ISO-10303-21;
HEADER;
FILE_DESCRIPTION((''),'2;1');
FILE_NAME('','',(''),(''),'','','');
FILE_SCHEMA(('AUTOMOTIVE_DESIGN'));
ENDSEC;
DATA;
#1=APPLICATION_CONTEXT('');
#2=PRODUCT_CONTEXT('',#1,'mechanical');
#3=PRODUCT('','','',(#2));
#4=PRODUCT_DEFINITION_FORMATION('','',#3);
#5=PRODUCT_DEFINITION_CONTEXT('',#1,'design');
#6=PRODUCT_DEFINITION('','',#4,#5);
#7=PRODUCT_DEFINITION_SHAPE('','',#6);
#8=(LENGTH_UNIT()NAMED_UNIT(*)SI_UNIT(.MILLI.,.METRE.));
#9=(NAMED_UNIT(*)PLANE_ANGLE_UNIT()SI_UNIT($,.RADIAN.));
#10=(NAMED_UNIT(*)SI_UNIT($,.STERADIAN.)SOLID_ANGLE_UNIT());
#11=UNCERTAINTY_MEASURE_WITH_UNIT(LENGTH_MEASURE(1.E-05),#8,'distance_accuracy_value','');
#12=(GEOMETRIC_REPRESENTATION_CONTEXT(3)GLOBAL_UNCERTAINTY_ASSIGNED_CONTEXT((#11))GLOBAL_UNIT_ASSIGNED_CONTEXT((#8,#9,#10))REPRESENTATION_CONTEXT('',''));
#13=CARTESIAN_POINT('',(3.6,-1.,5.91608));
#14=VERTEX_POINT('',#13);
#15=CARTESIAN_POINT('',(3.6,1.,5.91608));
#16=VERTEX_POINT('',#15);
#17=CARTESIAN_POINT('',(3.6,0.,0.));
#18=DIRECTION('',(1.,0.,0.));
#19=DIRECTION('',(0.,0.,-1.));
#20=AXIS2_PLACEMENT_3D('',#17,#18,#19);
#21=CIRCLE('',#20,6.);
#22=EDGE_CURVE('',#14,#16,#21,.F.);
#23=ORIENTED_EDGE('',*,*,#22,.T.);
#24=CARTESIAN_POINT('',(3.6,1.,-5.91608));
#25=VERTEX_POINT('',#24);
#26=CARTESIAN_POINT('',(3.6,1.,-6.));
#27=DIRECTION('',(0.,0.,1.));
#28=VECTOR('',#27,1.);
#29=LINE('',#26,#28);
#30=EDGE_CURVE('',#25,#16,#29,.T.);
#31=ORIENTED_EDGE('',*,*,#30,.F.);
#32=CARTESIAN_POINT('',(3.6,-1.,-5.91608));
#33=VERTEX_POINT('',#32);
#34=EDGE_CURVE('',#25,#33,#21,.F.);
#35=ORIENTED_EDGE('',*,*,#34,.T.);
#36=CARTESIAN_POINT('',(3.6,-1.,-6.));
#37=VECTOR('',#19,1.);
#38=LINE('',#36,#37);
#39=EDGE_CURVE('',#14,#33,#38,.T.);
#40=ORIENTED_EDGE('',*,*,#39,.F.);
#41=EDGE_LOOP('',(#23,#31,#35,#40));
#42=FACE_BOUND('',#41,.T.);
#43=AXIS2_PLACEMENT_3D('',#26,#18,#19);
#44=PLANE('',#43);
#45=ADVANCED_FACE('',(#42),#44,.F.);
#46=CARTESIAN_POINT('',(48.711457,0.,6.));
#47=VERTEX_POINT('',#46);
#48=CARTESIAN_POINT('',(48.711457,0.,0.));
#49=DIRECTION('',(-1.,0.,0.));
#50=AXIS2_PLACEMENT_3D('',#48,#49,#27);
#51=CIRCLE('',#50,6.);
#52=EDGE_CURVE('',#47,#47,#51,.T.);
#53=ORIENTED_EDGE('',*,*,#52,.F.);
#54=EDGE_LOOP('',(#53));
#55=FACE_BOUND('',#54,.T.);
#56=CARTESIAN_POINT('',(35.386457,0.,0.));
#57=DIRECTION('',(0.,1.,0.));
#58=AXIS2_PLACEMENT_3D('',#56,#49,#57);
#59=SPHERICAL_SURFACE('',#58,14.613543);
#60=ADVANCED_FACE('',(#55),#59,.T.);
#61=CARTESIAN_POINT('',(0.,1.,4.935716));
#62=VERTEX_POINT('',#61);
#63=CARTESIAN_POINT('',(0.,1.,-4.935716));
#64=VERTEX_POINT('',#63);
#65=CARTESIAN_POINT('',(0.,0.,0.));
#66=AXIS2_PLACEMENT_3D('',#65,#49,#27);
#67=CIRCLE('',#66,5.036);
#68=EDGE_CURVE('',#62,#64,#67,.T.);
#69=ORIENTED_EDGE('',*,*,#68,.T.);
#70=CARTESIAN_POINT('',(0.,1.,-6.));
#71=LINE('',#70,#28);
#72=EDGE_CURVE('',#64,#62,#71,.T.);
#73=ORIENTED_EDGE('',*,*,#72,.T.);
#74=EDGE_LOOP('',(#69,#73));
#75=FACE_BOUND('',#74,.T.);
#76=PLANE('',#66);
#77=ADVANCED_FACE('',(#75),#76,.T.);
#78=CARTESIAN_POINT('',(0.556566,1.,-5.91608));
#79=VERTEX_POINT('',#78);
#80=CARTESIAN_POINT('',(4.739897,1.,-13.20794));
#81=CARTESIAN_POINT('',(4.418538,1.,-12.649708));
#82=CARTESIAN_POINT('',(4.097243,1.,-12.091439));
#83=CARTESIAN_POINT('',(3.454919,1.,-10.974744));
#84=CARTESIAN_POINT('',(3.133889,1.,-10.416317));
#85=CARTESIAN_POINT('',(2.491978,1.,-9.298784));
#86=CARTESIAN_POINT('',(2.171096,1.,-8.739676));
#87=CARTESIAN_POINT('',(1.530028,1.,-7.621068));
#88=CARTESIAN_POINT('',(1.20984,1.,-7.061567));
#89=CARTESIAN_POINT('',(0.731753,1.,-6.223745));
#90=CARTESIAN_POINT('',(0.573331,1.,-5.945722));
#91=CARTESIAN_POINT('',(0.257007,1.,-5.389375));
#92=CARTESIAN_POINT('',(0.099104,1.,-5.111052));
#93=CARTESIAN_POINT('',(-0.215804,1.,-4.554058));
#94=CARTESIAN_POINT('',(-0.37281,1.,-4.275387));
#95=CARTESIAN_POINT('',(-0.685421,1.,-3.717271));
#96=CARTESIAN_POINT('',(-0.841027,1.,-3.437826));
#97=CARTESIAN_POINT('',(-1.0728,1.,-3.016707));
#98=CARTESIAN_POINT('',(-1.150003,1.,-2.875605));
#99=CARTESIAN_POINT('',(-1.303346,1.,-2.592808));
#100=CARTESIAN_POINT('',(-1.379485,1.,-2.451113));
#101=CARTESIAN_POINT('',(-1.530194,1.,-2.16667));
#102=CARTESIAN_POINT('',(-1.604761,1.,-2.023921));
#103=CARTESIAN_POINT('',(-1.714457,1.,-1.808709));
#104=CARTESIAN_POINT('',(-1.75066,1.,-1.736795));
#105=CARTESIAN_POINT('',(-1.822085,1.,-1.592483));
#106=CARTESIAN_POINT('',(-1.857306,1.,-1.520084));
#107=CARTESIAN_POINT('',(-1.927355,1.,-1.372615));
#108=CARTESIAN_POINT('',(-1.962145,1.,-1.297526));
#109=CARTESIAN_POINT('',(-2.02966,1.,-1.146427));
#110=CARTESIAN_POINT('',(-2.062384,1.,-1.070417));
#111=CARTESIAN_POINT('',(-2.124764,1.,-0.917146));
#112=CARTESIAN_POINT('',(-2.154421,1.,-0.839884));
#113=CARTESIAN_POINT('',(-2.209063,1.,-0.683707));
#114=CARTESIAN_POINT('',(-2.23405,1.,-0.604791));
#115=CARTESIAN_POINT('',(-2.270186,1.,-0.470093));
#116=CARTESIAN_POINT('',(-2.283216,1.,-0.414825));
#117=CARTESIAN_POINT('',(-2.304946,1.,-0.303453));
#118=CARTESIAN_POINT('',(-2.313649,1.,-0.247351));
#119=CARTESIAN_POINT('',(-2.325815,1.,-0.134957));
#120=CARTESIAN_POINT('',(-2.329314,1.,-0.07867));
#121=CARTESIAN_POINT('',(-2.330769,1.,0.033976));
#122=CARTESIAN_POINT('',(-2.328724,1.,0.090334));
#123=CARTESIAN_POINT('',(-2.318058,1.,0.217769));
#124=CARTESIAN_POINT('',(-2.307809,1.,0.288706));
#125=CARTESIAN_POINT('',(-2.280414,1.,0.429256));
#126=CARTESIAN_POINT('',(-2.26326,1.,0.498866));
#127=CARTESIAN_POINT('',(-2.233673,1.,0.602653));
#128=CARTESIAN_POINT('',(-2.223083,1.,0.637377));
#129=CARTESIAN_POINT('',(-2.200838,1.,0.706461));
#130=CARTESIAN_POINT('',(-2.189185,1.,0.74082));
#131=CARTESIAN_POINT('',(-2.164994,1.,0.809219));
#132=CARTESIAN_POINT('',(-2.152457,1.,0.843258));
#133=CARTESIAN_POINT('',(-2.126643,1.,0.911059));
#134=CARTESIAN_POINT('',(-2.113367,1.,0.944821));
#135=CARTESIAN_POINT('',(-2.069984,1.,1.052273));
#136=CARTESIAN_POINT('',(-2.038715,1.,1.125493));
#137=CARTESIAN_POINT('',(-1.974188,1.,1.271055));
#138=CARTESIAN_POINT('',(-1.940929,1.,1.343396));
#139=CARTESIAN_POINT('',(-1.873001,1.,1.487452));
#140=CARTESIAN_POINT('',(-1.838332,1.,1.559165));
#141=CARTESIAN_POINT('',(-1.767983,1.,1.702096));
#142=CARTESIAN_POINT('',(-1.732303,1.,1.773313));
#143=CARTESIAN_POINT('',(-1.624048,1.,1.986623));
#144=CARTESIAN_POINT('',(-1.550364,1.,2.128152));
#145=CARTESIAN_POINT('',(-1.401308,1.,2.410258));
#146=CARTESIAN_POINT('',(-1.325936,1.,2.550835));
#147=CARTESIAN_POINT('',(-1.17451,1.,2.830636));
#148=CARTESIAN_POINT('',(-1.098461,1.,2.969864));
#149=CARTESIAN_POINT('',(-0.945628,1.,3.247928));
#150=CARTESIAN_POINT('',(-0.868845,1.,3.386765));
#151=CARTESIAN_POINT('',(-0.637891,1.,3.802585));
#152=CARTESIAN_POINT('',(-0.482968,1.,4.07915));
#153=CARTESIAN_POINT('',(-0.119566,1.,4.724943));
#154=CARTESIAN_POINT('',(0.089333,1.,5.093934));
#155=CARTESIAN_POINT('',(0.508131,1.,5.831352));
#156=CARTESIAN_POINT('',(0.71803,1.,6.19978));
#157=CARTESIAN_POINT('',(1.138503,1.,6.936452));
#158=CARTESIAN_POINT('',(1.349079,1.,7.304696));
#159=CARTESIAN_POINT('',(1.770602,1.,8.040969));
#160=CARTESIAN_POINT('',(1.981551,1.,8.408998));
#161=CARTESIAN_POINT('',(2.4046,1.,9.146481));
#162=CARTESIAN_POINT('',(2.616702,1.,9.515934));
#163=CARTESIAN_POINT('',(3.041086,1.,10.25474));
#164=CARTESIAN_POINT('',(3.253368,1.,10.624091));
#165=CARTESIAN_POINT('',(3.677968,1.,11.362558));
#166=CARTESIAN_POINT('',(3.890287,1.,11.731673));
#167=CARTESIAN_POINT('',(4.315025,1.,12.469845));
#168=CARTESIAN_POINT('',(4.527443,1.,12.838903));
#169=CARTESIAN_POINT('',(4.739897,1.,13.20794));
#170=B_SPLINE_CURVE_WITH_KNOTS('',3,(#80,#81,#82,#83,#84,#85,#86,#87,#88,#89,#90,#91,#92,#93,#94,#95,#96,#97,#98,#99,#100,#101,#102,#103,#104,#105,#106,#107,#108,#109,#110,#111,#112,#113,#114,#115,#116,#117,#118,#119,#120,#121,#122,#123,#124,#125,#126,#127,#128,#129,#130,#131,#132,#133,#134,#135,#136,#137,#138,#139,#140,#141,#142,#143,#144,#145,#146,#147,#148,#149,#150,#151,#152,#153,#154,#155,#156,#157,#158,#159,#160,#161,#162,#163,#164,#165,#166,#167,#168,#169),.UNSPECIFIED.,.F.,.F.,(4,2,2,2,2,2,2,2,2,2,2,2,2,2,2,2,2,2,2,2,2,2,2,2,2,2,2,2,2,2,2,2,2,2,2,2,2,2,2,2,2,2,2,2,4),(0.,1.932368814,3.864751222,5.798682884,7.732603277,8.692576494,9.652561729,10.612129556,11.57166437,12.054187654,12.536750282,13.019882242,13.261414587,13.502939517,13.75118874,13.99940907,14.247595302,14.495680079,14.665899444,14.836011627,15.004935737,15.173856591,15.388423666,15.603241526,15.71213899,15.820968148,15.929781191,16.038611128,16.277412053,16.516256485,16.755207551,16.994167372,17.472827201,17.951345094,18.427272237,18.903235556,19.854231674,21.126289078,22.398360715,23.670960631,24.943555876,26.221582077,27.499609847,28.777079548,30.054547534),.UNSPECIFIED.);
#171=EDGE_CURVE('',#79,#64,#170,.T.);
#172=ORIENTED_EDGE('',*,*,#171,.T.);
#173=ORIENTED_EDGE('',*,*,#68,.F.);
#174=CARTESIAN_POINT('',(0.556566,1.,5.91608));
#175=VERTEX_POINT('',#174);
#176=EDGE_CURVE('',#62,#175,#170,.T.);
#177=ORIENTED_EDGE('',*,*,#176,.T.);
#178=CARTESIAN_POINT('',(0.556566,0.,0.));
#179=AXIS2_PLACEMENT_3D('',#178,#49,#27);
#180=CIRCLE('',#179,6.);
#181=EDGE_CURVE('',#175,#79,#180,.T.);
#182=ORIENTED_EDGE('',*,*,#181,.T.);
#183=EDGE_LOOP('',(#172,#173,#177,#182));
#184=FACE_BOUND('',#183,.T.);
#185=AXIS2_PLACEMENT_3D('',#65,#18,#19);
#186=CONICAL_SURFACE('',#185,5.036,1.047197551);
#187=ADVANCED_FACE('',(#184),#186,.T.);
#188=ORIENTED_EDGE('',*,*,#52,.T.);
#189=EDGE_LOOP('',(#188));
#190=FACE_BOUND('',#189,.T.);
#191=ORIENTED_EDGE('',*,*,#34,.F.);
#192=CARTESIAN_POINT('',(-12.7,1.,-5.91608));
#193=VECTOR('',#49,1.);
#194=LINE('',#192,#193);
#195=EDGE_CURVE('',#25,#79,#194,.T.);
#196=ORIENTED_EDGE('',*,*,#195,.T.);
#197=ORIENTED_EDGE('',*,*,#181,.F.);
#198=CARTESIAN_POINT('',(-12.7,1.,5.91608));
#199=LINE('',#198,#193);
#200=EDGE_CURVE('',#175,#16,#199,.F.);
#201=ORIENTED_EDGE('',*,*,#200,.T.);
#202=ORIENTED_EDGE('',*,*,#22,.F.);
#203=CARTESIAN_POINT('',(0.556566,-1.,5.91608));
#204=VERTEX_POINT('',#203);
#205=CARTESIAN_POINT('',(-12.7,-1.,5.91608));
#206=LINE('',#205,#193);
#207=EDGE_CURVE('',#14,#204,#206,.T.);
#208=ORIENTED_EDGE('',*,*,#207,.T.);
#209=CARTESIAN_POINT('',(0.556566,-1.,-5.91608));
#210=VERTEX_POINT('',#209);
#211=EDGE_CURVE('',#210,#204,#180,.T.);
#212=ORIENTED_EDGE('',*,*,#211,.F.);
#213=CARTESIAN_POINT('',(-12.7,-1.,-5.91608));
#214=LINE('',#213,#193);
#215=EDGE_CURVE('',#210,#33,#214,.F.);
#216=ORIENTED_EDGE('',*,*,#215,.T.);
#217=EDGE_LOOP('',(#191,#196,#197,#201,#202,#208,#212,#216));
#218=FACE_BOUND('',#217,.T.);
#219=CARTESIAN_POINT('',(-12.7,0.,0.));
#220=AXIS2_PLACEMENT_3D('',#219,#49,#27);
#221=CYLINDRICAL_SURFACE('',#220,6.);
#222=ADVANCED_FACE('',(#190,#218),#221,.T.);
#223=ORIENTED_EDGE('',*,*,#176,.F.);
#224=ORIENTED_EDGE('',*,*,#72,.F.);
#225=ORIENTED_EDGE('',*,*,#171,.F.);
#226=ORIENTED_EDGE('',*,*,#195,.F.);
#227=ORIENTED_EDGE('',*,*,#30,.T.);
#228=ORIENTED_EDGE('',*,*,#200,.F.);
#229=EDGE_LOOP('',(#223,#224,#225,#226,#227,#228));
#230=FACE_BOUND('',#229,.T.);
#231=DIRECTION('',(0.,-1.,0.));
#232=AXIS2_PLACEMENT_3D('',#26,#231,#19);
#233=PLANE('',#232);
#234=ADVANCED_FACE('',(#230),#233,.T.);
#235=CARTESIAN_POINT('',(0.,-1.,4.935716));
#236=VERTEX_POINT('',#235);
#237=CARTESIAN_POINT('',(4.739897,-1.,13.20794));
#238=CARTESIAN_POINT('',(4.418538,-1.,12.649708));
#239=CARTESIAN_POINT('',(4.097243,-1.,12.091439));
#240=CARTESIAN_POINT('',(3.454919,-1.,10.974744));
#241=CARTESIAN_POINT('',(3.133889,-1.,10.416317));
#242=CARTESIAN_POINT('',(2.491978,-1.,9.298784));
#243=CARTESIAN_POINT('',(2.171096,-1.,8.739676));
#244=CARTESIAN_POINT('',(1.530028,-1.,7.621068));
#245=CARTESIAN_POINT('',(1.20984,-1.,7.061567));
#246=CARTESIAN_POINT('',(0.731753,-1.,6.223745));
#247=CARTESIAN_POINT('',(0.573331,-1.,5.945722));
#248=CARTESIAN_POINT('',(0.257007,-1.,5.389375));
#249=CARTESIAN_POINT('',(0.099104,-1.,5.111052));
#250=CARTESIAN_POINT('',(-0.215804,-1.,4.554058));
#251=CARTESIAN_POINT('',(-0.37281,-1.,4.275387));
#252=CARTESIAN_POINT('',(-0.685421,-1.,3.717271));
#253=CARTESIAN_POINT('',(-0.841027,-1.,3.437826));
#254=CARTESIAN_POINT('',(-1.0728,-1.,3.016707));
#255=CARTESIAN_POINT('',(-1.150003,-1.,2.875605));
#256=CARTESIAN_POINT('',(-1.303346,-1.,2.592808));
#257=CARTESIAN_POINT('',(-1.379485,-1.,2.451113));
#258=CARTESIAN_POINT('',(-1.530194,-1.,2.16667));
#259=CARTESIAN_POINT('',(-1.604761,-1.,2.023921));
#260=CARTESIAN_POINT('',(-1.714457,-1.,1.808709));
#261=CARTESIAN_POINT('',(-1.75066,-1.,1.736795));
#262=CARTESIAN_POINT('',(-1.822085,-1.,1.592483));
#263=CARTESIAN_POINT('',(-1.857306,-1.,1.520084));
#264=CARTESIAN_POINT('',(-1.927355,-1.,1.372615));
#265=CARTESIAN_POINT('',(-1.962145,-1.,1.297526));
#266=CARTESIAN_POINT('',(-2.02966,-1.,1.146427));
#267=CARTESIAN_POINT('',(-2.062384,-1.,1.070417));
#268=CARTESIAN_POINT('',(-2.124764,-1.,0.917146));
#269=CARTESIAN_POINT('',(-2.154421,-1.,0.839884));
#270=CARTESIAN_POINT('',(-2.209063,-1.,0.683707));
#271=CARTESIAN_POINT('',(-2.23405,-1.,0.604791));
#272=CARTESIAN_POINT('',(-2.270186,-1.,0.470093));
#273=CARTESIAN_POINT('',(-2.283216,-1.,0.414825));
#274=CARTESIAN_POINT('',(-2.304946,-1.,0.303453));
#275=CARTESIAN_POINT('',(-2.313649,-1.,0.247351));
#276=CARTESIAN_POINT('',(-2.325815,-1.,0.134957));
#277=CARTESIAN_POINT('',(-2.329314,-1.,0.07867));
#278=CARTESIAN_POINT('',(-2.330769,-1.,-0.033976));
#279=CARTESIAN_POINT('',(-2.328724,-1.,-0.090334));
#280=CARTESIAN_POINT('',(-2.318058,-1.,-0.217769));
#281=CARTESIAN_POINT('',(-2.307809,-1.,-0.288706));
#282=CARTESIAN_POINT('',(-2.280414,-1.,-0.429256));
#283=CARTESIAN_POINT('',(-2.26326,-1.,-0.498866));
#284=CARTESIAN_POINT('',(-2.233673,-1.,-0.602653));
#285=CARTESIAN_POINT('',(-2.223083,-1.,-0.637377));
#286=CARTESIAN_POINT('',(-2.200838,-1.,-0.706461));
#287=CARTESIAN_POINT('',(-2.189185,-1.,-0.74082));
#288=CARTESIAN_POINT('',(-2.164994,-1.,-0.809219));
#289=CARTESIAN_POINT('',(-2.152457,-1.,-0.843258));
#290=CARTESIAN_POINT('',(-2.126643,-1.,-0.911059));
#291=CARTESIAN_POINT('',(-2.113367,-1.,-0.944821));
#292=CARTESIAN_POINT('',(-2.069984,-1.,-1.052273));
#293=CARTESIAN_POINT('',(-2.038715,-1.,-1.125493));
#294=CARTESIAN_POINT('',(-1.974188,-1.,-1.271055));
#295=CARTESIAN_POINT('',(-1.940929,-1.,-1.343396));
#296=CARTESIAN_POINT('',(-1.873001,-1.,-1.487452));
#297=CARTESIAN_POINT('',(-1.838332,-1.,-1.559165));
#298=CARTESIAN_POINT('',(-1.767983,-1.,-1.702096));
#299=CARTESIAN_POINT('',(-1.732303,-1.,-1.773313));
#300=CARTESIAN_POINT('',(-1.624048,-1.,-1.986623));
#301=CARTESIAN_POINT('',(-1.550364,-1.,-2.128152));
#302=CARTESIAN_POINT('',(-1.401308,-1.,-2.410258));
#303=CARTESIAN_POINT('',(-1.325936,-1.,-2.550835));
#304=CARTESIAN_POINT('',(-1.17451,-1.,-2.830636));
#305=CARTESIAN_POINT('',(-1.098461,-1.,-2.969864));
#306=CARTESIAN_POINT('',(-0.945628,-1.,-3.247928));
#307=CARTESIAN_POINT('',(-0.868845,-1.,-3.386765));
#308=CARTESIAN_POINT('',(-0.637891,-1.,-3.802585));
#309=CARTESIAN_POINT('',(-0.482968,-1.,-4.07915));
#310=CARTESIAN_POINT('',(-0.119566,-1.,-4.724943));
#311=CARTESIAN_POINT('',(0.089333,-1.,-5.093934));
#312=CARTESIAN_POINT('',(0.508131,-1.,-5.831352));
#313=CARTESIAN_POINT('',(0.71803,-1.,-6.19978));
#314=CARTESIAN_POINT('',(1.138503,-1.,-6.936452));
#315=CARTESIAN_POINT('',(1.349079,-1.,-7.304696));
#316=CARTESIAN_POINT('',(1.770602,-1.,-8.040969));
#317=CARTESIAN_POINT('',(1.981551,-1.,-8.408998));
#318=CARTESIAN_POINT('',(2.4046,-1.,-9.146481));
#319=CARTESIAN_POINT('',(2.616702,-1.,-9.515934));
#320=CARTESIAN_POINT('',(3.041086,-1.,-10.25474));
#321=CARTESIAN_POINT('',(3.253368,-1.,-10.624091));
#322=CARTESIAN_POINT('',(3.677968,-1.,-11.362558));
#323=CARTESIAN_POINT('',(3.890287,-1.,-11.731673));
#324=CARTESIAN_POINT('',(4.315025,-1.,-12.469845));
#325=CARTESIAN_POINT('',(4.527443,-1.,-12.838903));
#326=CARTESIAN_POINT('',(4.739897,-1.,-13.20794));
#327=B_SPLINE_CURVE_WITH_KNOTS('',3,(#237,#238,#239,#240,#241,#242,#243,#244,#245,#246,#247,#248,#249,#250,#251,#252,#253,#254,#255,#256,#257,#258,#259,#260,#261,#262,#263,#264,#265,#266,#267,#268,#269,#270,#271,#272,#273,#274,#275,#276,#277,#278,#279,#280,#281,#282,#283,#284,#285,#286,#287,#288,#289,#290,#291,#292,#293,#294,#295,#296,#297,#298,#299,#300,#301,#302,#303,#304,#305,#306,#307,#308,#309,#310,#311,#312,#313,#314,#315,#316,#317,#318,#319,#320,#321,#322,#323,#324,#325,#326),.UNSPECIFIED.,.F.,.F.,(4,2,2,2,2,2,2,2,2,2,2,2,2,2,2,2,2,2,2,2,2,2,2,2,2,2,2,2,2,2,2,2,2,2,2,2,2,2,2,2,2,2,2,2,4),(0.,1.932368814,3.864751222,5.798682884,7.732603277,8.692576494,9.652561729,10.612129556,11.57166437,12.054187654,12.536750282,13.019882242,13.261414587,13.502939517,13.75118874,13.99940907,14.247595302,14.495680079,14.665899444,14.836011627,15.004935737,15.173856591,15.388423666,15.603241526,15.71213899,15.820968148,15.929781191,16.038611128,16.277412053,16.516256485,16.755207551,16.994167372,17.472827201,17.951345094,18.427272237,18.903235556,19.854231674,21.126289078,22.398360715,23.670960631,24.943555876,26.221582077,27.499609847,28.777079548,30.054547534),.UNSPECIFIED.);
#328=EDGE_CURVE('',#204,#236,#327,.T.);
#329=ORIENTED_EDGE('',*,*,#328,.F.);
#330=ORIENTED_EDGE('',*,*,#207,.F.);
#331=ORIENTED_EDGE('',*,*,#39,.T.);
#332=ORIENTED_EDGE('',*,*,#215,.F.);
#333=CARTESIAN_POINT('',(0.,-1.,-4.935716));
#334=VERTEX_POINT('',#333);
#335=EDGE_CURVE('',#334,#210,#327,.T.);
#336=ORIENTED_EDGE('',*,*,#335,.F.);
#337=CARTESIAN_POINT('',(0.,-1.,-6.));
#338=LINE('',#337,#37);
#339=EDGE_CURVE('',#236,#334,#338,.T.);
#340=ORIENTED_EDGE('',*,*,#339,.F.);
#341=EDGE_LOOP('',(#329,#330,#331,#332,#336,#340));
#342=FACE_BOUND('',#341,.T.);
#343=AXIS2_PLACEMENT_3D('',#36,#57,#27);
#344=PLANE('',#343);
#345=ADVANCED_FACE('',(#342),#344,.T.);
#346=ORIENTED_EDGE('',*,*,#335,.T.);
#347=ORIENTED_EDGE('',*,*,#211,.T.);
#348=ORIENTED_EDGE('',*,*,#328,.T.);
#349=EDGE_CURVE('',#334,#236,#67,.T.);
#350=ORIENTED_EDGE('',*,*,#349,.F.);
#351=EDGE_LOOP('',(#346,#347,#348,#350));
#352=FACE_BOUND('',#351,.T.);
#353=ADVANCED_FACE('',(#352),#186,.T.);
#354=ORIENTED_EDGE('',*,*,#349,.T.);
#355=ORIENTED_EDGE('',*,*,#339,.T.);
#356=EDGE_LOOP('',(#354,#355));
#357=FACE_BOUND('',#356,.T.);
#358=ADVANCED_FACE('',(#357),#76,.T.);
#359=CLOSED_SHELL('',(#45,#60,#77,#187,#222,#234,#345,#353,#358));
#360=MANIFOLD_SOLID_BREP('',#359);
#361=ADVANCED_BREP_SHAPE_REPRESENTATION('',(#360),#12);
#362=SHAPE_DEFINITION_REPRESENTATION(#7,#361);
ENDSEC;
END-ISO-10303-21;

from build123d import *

# Parameters (mm, degrees)
SKETCH2_W  = 12
SKETCH2_H  = 2
SLOT_DEPTH = 3.6


with BuildPart() as part:
    # BodySke → BaseBody (revolve)
    with BuildSketch(Plane.XY, mode=Mode.PRIVATE) as basebody_sk:
        with BuildLine():
            Line((0.556565659, 6), (48.711457479, 6))
            ThreePointArc((48.711457479, 6), (49.674233358, 3.068401124), (50, 0))
            Line((50, 0), (0, 0))
            Line((0, 0), (0, 5.036))
            Line((0, 5.036), (0.556565659, 6))
        make_face()
    revolve(basebody_sk.sketch.rotate(Axis((-12.7, 0, 0), (1, 0, 0)), 90), axis=Axis((-12.7, 0, 0), (1, 0, 0)))

    # Sketch2 → Slot (cut)
    with BuildSketch(Plane(origin=(0, 0, 0), x_dir=(0, 0, -1), z_dir=(1, 0, 0))):
        Rectangle(SKETCH2_W, SKETCH2_H)
    extrude(amount=SLOT_DEPTH, mode=Mode.SUBTRACT)


solid = part.part
